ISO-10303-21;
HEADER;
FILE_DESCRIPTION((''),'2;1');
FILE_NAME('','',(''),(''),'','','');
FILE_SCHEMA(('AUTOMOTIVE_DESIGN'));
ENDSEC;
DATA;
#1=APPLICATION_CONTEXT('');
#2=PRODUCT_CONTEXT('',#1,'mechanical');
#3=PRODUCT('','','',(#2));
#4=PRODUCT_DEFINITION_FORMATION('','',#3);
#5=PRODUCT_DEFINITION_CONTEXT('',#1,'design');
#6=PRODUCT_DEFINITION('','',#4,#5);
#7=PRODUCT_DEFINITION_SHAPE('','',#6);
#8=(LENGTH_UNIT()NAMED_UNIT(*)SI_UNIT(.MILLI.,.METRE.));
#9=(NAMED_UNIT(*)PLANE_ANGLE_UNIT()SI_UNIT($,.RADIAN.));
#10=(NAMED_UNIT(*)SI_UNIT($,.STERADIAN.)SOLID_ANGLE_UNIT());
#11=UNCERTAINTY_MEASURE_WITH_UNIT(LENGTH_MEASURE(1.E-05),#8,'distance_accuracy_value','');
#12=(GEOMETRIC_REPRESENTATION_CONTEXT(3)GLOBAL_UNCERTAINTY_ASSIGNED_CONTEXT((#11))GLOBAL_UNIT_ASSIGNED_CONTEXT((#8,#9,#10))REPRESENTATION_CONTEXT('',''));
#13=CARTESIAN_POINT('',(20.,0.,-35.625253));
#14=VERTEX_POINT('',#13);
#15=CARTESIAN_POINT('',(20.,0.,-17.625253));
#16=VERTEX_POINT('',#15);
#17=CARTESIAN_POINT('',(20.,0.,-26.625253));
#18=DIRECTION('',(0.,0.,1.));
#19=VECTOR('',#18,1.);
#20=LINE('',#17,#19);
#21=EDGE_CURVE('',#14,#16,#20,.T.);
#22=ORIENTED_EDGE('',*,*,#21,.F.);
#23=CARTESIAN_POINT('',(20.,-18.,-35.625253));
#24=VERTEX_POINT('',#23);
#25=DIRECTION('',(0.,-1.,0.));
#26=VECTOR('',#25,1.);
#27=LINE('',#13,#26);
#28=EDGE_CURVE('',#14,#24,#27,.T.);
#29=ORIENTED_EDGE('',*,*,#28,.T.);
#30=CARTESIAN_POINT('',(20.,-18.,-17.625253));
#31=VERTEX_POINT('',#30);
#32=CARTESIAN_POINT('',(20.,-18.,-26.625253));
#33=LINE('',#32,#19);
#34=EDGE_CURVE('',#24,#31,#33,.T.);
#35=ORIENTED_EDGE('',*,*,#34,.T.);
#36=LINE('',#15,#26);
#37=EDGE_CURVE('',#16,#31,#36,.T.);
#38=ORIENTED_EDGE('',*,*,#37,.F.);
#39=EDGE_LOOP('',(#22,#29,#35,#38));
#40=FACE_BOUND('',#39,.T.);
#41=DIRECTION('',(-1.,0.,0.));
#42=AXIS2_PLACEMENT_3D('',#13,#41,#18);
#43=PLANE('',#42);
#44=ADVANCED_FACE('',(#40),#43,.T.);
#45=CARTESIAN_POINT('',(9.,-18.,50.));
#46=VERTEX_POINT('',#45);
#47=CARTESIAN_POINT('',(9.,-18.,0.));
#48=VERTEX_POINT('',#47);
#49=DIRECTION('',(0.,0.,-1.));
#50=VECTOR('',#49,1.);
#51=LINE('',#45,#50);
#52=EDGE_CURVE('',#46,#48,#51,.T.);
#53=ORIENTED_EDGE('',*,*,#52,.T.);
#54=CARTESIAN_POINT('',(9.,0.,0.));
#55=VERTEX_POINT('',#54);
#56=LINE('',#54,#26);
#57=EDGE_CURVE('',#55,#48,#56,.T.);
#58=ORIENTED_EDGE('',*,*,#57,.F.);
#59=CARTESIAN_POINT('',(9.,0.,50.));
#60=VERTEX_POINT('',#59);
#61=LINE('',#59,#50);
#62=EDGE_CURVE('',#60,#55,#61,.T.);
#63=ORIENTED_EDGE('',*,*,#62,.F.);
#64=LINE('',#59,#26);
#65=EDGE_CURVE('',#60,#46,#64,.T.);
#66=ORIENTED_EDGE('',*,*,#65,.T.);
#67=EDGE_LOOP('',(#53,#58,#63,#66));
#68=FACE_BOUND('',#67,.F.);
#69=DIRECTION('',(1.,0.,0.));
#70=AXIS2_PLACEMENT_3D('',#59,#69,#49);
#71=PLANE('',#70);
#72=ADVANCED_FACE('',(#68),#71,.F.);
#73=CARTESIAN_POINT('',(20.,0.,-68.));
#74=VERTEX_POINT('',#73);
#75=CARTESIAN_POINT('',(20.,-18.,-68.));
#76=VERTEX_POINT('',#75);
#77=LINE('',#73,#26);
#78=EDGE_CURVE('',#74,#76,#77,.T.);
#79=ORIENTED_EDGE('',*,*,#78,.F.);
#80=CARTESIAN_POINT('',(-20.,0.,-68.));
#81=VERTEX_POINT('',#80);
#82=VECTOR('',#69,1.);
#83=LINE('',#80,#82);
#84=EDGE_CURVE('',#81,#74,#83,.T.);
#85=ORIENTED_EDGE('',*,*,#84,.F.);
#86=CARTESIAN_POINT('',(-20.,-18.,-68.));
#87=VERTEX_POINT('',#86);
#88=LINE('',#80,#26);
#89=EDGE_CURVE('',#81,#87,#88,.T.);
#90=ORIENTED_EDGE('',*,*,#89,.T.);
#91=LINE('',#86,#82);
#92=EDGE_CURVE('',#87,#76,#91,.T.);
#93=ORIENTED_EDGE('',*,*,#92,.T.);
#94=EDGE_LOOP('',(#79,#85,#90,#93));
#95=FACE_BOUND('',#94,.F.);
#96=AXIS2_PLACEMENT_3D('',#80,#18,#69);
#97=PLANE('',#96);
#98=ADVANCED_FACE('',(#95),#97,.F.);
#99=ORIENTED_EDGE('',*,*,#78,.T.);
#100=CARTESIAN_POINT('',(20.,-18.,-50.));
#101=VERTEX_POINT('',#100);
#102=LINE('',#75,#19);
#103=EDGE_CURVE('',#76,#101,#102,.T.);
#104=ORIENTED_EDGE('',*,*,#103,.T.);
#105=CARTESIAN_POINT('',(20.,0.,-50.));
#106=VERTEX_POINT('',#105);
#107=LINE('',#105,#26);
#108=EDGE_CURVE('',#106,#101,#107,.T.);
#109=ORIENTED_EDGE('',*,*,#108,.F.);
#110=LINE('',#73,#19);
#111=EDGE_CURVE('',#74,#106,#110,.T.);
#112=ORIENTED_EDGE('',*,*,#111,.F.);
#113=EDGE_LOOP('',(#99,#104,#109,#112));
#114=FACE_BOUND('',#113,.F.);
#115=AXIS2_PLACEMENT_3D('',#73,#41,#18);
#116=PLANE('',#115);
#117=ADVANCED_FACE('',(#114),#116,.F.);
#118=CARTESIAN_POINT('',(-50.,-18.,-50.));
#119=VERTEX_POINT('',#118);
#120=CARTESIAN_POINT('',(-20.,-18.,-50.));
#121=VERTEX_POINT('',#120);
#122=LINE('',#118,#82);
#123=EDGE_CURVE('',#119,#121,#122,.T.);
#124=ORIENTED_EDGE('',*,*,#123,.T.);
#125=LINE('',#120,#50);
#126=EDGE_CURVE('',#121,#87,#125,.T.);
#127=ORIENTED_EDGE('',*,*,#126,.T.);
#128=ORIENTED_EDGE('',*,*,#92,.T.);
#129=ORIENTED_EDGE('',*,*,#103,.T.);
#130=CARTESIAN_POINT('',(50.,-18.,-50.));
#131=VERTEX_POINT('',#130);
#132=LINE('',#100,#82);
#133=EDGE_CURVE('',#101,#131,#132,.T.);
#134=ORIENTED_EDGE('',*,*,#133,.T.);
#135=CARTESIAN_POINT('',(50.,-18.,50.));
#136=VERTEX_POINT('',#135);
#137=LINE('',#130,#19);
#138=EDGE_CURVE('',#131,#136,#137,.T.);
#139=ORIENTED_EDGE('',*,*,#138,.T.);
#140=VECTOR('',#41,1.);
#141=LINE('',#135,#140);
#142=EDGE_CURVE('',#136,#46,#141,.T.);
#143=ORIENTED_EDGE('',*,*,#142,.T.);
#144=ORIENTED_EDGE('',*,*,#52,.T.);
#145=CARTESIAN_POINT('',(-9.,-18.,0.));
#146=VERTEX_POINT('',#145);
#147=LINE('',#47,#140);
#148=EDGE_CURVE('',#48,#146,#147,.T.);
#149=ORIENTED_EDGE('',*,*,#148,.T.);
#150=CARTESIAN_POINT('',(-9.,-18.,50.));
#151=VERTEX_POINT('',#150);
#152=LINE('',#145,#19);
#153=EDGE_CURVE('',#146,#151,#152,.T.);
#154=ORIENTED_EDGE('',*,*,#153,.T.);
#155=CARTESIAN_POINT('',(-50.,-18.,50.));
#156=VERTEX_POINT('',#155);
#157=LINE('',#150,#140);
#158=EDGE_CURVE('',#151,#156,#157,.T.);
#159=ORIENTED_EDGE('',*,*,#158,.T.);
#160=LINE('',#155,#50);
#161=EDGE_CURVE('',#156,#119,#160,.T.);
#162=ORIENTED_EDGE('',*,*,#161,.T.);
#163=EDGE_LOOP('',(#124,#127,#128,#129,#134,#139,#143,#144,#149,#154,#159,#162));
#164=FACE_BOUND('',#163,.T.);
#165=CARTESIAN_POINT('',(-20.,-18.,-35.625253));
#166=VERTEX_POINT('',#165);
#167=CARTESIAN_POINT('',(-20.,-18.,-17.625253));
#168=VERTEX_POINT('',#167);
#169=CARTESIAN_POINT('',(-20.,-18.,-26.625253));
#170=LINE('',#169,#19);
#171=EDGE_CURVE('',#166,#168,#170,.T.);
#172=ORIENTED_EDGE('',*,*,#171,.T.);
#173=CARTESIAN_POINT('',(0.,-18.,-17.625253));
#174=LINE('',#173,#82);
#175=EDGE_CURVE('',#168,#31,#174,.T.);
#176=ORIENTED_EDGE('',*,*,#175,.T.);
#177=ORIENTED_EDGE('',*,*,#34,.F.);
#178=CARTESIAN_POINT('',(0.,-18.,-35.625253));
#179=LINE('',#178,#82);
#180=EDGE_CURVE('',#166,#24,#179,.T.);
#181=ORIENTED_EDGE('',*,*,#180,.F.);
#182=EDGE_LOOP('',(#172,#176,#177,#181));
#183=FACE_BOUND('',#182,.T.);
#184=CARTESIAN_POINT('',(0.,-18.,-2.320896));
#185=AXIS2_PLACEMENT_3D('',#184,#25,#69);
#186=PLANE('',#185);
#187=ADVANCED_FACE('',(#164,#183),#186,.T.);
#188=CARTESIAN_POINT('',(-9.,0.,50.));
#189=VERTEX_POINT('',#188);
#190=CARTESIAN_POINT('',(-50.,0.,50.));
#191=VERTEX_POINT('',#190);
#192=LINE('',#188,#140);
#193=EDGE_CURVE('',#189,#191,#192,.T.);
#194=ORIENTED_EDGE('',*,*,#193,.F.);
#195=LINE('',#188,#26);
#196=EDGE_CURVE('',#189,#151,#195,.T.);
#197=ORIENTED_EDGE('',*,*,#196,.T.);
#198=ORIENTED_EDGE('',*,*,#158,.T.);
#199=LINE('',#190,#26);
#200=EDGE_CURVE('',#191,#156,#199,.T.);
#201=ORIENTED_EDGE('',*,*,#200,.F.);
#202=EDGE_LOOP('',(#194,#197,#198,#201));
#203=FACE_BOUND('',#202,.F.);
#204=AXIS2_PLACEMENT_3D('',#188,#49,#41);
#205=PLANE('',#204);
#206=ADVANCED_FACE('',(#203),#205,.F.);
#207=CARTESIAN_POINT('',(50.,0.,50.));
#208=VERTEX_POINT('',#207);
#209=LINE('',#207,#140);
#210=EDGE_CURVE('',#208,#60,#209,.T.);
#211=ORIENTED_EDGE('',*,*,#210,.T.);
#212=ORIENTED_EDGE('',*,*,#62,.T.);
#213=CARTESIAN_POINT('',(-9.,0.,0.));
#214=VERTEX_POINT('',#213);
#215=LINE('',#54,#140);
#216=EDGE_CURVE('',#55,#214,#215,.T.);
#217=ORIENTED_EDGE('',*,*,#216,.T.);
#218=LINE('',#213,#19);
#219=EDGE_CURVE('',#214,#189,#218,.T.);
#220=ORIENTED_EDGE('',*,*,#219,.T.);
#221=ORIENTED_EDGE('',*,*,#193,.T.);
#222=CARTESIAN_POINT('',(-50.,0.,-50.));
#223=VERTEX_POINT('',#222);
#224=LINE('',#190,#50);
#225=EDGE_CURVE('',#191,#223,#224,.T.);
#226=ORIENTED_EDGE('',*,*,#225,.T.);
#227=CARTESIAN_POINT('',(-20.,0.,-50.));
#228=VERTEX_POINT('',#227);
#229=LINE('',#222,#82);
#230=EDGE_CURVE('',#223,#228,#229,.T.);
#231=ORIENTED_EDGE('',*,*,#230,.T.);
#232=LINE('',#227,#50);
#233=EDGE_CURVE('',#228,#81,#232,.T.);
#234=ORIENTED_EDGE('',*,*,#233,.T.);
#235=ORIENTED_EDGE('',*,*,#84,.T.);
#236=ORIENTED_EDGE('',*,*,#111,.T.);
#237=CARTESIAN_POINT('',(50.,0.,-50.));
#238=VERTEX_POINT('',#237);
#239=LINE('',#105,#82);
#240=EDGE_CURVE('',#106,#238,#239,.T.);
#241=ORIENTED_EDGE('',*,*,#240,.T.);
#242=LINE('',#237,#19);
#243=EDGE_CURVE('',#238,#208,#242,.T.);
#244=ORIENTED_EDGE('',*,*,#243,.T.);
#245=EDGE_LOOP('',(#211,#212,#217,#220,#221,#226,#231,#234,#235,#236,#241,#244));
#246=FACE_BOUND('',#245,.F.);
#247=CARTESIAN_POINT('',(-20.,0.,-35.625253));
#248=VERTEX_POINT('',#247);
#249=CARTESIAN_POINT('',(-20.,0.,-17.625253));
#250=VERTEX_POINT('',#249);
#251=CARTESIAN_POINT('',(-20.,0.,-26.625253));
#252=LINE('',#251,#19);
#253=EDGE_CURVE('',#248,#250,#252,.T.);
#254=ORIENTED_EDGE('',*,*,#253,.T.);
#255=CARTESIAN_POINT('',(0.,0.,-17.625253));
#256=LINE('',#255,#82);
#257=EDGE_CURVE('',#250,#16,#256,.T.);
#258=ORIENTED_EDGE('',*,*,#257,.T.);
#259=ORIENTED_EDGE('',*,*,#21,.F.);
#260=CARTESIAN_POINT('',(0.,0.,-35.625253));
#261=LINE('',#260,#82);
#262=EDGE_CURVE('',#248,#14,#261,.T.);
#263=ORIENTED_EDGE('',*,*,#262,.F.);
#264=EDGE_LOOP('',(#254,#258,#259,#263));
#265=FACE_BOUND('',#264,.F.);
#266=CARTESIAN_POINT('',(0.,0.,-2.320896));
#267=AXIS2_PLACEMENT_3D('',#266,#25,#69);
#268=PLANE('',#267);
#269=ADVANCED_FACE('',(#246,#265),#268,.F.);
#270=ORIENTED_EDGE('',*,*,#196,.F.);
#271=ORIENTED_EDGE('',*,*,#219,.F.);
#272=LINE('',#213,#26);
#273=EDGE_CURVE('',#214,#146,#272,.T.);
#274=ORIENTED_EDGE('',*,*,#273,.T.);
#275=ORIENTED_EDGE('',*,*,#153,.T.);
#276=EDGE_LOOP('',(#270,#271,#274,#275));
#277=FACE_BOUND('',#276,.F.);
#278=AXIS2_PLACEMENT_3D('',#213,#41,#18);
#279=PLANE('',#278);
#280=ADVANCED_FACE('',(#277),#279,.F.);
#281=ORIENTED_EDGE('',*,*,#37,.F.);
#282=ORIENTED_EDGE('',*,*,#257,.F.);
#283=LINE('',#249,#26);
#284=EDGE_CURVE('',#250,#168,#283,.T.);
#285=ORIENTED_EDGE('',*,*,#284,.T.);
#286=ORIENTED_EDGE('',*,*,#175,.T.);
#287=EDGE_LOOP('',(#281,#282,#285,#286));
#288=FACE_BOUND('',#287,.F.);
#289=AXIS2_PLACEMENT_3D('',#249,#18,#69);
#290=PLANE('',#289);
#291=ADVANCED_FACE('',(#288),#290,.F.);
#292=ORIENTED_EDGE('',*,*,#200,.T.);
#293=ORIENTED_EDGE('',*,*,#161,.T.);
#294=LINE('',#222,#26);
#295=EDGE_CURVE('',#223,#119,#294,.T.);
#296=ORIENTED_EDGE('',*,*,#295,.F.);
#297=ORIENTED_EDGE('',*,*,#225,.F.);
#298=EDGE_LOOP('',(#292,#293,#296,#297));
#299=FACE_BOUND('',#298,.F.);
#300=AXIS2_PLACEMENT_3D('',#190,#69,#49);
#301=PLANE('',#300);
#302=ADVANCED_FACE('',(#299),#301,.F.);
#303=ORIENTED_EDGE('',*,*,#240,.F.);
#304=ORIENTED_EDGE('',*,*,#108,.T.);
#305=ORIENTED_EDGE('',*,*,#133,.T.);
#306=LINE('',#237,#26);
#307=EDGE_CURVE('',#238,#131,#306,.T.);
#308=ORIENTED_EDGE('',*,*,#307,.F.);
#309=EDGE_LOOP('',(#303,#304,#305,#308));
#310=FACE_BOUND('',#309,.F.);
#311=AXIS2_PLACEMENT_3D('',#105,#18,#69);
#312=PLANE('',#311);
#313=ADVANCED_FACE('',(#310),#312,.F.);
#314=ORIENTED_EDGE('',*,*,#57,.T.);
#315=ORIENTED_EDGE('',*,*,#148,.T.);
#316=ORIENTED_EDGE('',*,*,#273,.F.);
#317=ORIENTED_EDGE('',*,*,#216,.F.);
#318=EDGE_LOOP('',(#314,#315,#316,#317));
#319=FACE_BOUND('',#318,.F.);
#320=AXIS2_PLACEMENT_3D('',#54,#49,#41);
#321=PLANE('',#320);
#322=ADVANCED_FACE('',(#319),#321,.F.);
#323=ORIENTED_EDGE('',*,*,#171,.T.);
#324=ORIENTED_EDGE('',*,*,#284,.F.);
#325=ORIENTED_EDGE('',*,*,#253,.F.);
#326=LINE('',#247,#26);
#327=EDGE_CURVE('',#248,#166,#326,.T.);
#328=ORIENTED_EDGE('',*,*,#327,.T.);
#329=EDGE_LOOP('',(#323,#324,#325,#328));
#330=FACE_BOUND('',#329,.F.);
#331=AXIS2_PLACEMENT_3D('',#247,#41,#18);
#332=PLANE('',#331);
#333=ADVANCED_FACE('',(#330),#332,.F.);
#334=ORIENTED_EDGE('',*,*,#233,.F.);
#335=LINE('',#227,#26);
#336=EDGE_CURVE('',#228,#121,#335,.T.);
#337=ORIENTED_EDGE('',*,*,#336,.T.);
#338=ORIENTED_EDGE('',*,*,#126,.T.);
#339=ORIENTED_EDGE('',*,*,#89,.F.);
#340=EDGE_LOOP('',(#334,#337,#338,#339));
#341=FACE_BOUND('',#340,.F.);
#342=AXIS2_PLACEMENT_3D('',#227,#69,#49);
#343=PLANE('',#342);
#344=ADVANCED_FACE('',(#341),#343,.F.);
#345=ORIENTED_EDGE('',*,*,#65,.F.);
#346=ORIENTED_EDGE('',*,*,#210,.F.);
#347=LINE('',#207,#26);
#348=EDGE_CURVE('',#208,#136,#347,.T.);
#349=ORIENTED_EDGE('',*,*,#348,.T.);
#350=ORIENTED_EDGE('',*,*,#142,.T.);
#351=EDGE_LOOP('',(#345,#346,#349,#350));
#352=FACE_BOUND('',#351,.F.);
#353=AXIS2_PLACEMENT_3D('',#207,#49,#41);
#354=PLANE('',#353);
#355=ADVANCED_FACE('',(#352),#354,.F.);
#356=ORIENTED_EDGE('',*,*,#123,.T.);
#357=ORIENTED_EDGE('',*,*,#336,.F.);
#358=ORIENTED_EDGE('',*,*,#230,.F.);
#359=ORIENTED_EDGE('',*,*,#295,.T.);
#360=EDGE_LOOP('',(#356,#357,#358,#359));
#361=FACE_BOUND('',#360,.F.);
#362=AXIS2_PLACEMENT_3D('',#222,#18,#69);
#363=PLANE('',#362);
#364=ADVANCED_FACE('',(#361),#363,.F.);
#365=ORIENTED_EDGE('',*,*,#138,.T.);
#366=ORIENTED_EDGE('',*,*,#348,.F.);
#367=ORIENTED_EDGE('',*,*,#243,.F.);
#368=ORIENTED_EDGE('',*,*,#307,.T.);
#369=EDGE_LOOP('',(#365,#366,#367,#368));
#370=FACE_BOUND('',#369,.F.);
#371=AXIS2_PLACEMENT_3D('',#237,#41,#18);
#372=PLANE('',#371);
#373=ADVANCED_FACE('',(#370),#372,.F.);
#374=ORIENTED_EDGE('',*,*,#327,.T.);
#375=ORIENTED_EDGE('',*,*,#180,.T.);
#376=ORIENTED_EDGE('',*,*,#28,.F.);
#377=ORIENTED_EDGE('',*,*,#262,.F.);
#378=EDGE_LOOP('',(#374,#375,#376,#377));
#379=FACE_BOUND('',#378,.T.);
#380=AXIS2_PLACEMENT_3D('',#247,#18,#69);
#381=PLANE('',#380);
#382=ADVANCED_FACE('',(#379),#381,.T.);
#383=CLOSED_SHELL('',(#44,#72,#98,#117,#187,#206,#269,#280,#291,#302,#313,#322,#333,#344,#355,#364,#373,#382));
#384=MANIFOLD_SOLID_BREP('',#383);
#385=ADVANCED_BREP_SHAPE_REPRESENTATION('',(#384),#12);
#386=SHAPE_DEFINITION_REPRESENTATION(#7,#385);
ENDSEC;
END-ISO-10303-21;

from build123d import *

# Parameters (mm, degrees)
F0_W     = 40
F0_H     = 18
F1_DEPTH = 18


with BuildPart() as f1:
    # F0 (on Front) → F1 (new body)
    with BuildSketch(Plane.XZ):
        Polygon((50, -50), (50, 50), (9, 50), (9, 0), (-9, 0), (-9, 50), (-50, 50), (-50, -50), (-20, -50), (-20, -68), (20, -68), (20, -50), align=None)
        with Locations((0, -26.625253)):
            Rectangle(F0_W, F0_H, mode=Mode.SUBTRACT)
    extrude(amount=F1_DEPTH)


solid = f1.part
